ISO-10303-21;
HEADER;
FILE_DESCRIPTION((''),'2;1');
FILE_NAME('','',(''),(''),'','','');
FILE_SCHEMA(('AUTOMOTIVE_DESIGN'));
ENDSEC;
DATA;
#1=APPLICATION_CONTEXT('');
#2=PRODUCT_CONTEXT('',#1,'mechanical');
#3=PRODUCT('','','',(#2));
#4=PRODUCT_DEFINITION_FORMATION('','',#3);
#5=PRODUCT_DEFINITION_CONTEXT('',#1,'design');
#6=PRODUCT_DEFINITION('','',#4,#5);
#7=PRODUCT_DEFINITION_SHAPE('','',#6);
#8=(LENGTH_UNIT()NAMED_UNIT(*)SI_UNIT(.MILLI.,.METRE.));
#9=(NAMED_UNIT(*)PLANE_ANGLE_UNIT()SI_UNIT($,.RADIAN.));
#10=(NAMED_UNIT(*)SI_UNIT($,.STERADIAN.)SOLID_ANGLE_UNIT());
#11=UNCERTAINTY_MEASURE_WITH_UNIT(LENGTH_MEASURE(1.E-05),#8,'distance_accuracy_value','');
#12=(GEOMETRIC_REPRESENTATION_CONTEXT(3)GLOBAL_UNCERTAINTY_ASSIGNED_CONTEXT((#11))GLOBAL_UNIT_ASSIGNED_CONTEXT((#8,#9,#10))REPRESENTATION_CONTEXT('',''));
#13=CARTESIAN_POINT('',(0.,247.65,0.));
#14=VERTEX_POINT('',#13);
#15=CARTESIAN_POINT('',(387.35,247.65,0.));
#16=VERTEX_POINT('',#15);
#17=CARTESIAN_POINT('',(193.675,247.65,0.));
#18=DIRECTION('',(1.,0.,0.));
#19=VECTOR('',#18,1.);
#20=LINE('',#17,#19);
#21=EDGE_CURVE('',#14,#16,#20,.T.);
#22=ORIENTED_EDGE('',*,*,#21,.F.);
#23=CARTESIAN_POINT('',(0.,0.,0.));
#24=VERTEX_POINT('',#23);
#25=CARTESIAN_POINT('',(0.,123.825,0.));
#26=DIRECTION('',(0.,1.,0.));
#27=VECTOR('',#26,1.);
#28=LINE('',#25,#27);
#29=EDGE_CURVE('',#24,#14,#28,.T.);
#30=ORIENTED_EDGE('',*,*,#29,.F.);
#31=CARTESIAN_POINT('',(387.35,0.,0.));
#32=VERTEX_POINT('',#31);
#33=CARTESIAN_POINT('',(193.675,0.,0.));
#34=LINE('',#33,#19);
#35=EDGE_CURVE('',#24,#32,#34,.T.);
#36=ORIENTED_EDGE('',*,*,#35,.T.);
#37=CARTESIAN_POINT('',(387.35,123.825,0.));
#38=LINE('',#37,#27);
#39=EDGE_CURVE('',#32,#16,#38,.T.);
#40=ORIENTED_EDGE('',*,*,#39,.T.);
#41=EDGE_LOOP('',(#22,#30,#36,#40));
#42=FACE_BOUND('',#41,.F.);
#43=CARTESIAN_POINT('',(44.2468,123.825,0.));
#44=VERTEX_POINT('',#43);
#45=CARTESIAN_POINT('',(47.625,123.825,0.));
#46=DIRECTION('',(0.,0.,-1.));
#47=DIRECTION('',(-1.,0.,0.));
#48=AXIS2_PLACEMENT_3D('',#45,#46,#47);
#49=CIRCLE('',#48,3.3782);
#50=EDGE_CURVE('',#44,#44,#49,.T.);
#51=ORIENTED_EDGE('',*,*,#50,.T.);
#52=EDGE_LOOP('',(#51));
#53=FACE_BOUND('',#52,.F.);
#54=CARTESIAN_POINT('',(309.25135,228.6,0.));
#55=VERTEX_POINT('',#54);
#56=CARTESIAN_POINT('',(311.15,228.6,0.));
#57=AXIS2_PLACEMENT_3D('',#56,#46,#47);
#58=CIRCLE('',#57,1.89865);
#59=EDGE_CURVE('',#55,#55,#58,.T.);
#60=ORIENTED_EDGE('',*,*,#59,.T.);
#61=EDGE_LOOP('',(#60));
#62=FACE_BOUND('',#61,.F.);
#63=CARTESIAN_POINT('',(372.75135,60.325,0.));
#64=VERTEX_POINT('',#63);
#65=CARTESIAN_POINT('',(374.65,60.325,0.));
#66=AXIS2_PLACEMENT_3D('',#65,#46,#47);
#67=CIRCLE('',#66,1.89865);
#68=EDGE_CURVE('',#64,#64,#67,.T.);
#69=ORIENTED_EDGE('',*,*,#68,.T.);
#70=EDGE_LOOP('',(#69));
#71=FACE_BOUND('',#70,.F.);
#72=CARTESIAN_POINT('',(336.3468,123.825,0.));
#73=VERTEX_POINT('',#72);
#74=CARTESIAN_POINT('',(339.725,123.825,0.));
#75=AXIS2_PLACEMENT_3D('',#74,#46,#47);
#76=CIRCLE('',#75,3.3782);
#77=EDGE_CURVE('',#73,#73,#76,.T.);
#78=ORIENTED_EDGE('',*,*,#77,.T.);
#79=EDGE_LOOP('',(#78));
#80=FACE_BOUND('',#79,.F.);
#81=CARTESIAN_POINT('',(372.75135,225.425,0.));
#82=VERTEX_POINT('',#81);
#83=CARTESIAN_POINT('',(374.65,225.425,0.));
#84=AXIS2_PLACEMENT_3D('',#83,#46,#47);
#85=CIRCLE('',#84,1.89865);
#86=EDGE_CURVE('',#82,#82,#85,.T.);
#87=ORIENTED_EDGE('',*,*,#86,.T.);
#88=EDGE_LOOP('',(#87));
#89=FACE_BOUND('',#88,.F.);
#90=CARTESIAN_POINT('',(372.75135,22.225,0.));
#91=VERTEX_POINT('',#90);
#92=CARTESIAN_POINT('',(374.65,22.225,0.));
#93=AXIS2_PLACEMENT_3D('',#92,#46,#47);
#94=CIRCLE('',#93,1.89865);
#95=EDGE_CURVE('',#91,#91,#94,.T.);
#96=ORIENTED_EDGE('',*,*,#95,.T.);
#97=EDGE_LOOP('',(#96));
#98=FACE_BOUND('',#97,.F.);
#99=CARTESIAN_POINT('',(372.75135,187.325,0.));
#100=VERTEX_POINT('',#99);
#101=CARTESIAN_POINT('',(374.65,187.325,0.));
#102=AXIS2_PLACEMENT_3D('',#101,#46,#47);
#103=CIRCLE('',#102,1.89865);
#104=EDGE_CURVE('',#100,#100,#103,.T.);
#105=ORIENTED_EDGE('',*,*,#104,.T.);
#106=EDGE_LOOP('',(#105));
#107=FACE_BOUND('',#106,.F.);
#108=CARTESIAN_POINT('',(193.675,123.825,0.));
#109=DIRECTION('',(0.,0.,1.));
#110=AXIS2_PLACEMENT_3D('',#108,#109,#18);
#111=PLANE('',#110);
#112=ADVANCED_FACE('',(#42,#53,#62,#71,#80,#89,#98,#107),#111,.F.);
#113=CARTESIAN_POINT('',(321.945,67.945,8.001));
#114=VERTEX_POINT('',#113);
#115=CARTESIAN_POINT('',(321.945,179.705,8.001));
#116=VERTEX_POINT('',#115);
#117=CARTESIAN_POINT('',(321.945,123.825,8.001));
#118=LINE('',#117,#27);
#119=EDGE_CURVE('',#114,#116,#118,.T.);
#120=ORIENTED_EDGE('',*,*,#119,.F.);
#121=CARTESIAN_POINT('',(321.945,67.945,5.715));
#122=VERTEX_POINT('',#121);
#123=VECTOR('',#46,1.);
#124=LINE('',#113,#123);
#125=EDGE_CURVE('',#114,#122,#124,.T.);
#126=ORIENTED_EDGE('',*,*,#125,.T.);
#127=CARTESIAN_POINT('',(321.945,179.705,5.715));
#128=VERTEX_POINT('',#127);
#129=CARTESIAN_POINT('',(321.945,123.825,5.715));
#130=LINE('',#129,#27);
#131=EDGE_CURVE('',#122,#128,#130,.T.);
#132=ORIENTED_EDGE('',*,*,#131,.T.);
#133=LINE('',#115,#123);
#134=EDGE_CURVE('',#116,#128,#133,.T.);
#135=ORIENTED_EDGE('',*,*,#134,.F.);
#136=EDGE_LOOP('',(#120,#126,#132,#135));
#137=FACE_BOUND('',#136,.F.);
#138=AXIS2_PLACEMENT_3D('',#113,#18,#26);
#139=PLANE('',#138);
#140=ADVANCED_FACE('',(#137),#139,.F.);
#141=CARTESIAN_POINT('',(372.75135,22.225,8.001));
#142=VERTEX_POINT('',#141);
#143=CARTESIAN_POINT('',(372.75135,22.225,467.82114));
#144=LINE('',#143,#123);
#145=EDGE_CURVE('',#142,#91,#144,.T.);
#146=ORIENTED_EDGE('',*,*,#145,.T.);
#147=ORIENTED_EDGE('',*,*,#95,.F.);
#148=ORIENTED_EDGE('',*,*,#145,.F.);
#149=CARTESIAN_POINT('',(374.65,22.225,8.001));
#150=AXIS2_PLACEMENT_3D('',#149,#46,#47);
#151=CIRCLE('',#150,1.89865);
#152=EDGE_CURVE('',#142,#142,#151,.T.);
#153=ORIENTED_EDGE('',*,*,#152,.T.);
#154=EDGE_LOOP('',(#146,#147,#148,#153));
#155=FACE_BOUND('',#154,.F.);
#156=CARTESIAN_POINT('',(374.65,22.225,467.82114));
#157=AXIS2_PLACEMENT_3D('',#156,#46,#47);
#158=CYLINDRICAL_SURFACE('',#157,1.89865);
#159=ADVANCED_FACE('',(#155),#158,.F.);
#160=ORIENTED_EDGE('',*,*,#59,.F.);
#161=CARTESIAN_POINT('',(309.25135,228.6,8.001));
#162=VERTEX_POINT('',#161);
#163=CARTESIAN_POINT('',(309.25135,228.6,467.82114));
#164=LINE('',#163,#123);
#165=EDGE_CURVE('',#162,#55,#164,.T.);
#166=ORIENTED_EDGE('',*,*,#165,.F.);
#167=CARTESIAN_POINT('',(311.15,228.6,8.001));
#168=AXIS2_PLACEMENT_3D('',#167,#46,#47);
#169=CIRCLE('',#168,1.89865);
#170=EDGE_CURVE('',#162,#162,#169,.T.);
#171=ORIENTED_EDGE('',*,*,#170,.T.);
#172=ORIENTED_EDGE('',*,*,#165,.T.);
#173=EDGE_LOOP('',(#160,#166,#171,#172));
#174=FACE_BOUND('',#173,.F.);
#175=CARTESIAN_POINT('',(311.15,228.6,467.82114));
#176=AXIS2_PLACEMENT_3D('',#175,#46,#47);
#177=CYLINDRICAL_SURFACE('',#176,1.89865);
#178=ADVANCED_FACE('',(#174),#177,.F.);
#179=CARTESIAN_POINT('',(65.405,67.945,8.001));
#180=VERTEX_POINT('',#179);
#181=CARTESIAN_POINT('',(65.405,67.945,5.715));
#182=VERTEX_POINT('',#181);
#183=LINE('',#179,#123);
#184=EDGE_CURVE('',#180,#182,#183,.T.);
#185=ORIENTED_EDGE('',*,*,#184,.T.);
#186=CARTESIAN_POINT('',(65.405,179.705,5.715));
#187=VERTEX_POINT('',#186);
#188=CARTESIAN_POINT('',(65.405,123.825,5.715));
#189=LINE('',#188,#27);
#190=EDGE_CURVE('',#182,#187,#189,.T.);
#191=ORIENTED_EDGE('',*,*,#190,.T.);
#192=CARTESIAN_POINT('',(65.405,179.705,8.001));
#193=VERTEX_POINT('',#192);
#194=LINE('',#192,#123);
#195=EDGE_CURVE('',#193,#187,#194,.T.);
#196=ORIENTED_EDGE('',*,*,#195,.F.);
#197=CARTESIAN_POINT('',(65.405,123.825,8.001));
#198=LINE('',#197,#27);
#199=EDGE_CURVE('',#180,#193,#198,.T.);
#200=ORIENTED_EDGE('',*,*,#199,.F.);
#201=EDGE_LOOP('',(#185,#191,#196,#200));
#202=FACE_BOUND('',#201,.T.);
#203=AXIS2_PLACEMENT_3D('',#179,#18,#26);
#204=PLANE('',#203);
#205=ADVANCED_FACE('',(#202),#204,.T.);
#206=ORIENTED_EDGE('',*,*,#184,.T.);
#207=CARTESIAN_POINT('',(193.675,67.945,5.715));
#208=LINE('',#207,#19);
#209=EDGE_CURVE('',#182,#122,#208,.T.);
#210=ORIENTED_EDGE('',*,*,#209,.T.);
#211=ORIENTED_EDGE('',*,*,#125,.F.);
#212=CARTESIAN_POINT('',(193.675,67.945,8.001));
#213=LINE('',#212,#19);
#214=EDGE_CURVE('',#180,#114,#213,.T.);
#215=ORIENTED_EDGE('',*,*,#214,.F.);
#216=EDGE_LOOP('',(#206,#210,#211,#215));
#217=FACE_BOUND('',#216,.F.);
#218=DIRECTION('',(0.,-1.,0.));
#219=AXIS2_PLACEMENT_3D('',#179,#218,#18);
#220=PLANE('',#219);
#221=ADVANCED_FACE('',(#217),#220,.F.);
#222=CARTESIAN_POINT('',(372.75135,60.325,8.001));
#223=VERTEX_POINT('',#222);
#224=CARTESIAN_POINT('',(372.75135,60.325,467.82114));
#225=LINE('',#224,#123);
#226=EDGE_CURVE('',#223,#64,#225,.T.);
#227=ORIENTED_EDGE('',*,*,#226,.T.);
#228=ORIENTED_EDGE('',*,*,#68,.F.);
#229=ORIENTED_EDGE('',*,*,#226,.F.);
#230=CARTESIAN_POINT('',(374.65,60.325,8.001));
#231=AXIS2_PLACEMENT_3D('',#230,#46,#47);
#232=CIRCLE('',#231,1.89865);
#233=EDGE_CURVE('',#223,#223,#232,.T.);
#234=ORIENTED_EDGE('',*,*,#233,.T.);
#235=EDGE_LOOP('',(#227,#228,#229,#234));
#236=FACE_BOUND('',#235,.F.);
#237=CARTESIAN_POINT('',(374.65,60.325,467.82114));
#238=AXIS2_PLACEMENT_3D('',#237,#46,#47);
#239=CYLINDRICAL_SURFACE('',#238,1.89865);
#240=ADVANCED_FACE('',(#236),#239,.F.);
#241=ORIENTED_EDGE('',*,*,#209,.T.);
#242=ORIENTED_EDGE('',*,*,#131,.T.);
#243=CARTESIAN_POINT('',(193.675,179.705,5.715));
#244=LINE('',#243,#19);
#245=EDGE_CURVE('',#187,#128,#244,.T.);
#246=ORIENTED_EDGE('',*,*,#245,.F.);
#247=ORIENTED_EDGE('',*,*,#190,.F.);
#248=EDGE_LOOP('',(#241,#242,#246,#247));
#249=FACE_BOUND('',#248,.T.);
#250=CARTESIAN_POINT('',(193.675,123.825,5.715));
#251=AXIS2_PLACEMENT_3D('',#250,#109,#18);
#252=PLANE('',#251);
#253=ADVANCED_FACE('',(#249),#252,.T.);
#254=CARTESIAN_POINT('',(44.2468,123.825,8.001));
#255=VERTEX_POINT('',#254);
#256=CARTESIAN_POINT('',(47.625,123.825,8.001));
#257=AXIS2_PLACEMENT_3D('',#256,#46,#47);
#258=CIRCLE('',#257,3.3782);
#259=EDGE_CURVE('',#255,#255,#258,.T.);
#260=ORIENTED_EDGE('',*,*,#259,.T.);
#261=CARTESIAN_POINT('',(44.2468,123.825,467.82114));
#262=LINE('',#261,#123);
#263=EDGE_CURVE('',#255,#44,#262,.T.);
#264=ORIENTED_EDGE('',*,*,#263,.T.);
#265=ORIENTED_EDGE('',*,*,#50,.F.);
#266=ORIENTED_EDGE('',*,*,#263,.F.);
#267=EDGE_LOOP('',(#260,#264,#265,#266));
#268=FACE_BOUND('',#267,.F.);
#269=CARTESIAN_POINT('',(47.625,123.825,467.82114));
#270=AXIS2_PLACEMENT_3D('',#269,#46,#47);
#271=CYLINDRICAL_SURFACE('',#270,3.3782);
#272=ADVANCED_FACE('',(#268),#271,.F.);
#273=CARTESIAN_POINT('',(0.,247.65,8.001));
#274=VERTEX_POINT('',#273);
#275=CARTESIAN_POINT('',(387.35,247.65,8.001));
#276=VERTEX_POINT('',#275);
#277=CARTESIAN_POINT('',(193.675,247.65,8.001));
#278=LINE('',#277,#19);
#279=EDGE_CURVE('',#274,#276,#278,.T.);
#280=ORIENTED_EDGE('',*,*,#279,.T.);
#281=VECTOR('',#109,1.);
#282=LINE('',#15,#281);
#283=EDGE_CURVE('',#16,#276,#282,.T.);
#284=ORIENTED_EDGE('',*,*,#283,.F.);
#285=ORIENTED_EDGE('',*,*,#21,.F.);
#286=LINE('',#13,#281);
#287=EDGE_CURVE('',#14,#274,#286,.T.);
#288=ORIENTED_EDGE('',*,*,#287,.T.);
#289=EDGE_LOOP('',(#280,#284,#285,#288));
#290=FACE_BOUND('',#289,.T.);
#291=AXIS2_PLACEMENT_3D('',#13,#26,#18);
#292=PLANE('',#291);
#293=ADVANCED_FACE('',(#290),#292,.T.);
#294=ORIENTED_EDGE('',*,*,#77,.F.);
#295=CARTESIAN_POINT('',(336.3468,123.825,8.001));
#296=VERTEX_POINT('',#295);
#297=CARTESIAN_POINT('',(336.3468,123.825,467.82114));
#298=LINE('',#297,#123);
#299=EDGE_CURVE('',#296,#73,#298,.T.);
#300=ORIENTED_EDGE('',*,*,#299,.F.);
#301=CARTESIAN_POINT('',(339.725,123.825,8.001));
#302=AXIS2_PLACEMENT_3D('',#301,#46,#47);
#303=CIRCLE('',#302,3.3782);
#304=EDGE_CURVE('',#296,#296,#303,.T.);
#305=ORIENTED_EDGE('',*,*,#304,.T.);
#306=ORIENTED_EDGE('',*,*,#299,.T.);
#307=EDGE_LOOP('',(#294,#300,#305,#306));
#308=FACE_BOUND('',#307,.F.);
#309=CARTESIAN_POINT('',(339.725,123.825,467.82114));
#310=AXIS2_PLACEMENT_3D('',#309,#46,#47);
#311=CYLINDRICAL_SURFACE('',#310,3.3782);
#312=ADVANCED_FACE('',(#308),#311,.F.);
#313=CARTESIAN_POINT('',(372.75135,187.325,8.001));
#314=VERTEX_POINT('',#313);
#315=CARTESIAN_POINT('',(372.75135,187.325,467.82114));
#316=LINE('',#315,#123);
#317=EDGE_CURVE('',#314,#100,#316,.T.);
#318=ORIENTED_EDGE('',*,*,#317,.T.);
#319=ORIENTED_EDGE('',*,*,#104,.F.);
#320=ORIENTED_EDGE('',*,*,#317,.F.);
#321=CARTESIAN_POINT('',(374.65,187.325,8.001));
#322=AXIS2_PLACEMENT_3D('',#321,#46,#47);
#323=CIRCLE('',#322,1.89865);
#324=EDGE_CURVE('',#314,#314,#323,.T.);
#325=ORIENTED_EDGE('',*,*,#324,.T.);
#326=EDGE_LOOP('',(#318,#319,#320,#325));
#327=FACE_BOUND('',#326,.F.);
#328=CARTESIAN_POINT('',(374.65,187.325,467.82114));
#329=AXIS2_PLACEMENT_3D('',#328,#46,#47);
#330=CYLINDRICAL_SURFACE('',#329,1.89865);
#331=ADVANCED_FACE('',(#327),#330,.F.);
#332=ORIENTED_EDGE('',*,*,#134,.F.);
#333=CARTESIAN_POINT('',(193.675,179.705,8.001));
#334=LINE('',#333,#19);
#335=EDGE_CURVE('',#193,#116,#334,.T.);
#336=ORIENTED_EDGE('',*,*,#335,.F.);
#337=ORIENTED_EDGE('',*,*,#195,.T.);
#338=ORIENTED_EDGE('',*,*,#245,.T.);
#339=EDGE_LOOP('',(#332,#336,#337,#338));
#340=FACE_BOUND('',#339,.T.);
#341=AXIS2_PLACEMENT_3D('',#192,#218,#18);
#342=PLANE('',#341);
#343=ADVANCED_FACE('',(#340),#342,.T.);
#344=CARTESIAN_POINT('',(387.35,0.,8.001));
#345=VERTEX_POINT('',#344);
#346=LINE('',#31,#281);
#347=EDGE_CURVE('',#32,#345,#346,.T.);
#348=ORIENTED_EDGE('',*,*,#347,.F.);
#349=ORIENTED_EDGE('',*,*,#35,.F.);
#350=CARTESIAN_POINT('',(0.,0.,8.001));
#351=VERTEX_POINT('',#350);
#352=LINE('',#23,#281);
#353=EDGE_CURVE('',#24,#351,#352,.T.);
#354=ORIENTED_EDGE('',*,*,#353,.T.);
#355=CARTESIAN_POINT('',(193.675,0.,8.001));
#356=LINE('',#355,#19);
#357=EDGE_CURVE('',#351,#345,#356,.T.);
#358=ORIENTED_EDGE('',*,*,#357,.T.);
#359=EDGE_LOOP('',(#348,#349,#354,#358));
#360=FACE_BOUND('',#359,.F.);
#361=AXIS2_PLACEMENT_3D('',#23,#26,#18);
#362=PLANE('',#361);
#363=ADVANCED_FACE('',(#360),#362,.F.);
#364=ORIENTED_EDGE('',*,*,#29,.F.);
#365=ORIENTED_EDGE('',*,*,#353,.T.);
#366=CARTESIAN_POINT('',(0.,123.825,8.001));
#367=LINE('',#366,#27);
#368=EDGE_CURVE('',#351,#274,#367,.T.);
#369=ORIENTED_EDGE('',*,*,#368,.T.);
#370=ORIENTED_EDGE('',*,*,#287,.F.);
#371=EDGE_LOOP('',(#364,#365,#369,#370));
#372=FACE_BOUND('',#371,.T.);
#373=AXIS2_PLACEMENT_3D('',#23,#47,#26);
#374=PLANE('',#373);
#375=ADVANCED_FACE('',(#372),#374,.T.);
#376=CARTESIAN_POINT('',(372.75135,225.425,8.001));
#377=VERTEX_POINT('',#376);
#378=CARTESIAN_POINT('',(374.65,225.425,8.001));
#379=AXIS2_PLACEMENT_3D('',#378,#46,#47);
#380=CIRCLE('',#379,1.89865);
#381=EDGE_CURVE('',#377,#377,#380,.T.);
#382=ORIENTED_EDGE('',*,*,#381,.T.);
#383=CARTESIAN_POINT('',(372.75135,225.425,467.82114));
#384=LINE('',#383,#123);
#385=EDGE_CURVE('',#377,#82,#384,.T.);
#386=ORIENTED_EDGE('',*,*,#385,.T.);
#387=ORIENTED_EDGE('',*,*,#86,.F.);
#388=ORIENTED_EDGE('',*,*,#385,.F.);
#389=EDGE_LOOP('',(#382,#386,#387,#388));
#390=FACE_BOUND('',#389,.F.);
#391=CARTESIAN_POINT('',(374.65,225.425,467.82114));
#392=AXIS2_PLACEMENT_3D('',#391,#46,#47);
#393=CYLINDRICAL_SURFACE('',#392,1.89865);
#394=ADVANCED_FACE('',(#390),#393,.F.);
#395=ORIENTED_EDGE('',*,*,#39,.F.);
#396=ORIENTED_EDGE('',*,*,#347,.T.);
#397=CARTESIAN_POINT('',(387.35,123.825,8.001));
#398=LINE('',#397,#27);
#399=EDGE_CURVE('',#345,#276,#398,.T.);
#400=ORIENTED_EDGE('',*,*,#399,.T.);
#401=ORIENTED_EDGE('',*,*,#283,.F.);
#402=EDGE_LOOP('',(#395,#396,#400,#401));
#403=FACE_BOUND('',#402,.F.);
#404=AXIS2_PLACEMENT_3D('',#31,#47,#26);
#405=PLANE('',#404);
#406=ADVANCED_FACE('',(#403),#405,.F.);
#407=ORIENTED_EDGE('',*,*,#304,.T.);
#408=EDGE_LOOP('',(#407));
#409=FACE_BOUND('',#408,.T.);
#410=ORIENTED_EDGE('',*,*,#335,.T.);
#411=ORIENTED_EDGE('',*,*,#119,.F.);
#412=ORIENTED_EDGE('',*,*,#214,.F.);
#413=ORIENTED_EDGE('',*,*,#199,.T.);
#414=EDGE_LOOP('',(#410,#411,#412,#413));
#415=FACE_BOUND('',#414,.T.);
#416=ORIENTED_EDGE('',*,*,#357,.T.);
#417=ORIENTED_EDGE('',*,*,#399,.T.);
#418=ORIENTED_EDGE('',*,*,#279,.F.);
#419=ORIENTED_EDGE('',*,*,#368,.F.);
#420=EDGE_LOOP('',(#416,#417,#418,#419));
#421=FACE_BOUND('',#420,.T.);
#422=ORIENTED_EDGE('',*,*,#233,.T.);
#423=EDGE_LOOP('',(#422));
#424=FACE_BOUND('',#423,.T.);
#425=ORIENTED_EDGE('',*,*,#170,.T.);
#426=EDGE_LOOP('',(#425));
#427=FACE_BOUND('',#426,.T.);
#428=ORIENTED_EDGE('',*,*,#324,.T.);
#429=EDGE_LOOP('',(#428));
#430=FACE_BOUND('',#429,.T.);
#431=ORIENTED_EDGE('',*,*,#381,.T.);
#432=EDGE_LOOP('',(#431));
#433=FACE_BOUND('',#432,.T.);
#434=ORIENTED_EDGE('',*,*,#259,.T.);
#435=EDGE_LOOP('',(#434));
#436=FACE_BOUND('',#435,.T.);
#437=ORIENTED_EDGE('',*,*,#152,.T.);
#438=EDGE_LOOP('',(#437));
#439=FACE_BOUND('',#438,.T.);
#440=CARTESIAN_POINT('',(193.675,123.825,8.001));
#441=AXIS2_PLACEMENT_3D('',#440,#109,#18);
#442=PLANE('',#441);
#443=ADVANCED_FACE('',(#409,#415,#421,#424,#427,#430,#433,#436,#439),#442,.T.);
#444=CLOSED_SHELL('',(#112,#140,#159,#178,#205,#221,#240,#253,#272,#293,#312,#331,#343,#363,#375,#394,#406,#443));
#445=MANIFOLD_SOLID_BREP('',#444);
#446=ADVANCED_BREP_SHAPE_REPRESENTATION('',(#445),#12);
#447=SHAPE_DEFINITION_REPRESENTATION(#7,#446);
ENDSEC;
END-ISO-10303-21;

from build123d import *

# Parameters (mm, degrees)
F0_W     = 387.35
F0_H     = 247.65
F1_DEPTH = 8.001
F3_D     = 3.7973
F5_D     = 6.7564
F6_W     = 256.54
F6_H     = 111.76
F7_DEPTH = 2.286
F9_D     = 3.7973


with BuildPart() as f1:
    # F0 (on Top) → F1 (new body)
    with BuildSketch(Plane.XY):
        with Locations((193.675, 123.825)):
            Rectangle(F0_W, F0_H)
    extrude(amount=F1_DEPTH)

    # F3 (through all)
    with Locations(Plane.XY.offset(8.001)):
        with Locations((374.65, 225.425), (374.65, 187.325), (374.65, 60.325), (374.65, 22.225)):
            Hole(F3_D / 2)

    # F5 (through all)
    with Locations(Plane.XY.offset(8.001)):
        with Locations((47.625, 123.825), (339.725, 123.825)):
            Hole(F5_D / 2)

    # F6 (on face) → F7 (cut)
    with BuildSketch(Plane.XY.offset(8.001)):
        with Locations((193.675, 123.825)):
            Rectangle(F6_W, F6_H)
    extrude(amount=-F7_DEPTH, mode=Mode.SUBTRACT)

    # F9 (through all)
    with Locations(Plane.XY.offset(8.001)):
        with Locations((311.15, 228.6)):
            Hole(F9_D / 2)


solid = f1.part
